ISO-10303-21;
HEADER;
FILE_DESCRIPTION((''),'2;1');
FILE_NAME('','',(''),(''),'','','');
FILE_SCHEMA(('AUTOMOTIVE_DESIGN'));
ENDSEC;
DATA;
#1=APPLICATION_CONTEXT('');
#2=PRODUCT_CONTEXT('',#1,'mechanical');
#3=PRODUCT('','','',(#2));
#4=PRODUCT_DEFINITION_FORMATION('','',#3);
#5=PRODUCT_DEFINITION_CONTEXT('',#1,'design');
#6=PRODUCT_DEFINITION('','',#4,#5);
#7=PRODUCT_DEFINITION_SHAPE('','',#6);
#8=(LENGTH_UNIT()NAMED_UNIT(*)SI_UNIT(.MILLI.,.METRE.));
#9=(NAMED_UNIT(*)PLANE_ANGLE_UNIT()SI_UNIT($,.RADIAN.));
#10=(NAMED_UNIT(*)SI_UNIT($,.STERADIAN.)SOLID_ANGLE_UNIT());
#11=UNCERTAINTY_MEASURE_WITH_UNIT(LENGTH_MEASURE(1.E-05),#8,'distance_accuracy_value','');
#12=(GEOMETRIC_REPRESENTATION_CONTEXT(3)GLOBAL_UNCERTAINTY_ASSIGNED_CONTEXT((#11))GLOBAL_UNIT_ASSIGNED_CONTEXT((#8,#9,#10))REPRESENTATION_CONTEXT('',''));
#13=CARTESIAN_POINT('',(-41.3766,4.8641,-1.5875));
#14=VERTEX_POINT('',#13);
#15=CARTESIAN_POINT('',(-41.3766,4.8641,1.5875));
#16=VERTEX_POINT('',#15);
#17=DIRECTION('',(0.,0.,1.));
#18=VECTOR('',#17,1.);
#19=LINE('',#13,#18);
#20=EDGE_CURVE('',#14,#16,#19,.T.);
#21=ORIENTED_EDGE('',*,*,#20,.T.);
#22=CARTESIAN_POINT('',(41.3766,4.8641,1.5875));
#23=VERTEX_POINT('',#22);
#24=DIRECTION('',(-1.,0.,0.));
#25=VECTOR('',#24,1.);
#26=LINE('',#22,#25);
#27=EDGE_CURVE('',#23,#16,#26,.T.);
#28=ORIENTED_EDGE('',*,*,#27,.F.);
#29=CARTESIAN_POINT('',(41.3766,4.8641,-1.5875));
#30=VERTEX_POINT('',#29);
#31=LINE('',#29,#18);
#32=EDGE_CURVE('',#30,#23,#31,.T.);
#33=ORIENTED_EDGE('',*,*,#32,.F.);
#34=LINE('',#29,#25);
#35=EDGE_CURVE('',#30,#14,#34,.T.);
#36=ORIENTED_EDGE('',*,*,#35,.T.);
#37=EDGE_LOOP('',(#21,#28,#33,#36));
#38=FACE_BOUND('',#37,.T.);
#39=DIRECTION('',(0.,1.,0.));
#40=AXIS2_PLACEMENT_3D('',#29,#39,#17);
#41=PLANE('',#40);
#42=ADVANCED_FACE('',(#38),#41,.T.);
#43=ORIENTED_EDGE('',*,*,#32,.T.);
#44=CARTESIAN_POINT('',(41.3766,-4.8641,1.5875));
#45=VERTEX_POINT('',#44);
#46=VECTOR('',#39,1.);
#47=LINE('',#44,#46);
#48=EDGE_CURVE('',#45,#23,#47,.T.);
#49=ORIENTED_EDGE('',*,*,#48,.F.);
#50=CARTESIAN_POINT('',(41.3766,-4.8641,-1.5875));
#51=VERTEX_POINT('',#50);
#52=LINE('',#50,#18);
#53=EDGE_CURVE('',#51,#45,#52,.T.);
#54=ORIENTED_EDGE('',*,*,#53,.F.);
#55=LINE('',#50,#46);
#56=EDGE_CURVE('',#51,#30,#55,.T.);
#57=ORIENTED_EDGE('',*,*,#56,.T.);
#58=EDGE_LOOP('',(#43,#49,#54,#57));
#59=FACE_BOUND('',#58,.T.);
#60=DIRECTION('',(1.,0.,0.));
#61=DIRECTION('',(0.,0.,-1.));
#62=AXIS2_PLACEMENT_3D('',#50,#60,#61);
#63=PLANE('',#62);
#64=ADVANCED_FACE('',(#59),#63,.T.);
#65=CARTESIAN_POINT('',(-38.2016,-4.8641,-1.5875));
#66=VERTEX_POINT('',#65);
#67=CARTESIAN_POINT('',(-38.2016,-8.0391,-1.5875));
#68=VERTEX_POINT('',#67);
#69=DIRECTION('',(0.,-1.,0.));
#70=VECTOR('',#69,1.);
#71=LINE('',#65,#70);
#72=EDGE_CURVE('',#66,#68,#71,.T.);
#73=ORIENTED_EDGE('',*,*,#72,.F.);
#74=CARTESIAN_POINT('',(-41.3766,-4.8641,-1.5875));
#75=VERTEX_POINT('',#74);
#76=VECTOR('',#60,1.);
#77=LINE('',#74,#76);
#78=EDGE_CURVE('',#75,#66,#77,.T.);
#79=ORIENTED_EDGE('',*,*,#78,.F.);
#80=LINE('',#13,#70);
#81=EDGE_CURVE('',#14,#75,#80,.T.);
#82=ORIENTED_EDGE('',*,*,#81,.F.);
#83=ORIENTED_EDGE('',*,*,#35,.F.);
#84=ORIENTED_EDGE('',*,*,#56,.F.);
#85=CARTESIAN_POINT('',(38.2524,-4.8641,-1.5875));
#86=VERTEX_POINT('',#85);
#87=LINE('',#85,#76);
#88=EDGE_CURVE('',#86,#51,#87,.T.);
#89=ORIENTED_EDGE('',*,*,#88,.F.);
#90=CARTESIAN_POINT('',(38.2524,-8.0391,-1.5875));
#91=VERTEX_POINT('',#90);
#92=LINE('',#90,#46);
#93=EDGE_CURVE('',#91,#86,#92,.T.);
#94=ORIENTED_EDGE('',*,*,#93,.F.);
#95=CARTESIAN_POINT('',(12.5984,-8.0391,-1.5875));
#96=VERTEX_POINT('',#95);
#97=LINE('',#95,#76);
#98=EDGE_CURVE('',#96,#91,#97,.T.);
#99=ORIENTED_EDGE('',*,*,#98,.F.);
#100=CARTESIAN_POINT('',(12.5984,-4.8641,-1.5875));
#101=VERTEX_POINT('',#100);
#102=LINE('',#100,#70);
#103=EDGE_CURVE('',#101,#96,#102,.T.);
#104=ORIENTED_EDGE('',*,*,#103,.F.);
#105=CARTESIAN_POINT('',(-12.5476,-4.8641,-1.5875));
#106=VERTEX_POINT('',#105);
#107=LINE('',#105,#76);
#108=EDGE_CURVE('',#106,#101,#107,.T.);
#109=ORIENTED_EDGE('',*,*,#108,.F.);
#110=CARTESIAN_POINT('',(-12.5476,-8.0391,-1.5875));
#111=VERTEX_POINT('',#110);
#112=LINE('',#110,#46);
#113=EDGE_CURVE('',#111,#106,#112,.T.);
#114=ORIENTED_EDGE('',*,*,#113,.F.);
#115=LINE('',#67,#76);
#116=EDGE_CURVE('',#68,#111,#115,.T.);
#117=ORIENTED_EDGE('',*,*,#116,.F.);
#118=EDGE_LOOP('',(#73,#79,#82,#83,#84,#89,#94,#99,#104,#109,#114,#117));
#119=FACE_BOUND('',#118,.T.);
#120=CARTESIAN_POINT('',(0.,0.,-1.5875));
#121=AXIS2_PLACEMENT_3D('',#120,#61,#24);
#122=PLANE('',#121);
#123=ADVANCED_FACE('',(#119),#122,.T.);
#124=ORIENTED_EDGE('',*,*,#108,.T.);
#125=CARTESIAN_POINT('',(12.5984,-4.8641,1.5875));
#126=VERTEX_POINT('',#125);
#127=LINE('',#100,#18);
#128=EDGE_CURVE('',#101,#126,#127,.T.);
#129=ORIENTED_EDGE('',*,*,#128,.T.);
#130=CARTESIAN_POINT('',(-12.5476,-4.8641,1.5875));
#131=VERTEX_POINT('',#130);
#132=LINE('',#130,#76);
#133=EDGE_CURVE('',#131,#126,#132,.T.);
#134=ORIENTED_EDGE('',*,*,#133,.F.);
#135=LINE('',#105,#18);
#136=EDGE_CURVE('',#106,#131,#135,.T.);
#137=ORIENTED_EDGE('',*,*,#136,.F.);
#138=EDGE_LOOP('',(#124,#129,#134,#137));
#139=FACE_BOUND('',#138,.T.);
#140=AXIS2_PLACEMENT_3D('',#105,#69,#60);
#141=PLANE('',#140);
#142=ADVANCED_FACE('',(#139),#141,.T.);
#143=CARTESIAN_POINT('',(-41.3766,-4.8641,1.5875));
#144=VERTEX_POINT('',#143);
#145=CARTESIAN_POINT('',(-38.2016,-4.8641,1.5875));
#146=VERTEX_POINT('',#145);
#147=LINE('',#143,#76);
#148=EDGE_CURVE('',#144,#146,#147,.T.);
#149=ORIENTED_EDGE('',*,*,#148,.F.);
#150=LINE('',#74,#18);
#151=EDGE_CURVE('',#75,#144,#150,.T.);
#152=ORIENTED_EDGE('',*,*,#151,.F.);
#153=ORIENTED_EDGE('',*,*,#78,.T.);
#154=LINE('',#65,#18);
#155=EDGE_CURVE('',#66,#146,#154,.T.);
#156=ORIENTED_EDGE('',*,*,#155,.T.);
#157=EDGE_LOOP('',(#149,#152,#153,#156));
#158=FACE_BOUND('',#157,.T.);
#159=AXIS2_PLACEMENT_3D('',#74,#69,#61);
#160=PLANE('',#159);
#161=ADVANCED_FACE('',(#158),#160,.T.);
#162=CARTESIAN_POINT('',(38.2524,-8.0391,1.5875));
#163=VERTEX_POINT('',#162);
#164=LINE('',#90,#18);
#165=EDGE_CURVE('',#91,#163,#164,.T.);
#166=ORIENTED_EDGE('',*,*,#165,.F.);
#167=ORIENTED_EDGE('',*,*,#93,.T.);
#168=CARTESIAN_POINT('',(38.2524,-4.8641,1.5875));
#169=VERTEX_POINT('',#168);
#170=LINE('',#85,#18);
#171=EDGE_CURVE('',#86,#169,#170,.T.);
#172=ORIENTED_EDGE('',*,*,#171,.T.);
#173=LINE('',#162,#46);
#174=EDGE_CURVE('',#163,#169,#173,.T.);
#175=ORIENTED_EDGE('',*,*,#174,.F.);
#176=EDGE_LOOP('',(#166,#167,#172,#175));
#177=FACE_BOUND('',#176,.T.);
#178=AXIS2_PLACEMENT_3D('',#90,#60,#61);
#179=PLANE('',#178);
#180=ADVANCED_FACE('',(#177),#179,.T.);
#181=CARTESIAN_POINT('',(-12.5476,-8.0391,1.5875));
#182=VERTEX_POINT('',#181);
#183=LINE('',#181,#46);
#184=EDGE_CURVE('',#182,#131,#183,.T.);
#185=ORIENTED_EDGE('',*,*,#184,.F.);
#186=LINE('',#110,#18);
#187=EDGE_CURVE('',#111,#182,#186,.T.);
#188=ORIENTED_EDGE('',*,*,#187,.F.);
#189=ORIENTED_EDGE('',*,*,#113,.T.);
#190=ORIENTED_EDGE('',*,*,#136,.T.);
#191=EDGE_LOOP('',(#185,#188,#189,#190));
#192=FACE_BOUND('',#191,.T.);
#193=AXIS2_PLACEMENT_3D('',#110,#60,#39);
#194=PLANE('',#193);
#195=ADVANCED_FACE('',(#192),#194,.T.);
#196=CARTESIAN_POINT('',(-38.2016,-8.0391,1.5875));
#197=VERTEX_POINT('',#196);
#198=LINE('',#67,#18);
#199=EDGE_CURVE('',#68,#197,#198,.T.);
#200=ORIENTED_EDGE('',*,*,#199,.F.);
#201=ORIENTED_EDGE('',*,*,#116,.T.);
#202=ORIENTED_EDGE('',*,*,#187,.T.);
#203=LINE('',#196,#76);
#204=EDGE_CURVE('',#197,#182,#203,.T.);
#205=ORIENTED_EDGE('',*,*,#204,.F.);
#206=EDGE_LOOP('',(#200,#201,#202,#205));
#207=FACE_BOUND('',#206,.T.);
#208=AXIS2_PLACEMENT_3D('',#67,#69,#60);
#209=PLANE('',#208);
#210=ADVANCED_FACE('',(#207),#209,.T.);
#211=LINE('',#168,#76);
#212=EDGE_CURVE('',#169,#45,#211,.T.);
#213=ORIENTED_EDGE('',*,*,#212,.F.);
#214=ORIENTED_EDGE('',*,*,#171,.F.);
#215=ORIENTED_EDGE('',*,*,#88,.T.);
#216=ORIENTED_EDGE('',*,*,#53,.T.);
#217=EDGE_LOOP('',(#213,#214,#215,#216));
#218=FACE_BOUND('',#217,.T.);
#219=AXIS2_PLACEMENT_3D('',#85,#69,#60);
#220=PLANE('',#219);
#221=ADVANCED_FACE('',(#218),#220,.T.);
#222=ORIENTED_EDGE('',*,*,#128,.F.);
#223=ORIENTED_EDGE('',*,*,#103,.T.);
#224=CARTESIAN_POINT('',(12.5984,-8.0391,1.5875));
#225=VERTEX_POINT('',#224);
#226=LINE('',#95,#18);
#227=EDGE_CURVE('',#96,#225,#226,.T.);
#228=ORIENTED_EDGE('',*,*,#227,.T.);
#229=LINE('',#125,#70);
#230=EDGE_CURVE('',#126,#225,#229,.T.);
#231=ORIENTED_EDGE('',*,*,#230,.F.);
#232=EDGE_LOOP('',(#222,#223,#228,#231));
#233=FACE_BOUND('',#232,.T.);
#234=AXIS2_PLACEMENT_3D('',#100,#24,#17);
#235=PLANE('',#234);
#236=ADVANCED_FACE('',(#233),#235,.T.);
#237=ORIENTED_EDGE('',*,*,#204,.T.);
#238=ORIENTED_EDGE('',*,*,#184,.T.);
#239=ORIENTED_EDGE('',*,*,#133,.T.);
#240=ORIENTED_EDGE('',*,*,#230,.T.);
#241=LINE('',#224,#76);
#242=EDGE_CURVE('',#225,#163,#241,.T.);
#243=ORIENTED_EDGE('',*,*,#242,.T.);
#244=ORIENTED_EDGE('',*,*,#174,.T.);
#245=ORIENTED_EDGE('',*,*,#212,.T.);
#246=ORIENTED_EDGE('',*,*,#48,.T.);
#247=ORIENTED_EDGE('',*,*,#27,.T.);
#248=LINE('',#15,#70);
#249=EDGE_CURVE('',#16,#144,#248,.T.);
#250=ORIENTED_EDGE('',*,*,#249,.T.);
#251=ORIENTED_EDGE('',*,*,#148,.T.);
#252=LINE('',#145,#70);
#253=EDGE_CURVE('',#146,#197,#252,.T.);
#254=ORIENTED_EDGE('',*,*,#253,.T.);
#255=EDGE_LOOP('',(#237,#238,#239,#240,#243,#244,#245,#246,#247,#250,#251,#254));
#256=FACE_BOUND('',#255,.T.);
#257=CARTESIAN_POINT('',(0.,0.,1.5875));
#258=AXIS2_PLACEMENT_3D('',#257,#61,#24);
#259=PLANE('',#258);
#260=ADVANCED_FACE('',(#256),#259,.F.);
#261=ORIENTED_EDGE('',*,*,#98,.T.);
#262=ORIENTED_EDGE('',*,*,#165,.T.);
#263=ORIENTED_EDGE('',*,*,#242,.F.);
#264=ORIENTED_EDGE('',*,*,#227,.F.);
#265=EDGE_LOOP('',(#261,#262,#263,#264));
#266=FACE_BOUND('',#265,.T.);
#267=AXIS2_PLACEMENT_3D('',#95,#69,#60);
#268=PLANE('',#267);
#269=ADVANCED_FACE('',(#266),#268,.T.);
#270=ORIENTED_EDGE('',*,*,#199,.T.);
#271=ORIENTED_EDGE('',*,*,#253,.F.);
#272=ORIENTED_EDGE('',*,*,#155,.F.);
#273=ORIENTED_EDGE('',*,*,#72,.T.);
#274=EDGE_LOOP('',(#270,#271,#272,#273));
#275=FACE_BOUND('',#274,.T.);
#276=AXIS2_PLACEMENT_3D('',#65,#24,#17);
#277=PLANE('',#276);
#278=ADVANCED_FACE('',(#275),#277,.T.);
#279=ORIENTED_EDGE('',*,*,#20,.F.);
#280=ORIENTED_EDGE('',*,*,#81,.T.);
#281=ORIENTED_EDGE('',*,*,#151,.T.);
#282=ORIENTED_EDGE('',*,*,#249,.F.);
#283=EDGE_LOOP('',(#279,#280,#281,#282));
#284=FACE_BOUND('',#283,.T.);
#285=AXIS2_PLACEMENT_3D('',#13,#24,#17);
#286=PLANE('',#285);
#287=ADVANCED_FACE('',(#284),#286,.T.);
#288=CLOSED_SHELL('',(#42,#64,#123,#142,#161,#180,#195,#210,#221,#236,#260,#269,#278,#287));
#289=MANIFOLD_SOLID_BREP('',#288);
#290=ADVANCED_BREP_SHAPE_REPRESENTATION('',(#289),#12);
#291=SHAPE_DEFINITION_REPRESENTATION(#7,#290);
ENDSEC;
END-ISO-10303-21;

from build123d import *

# Parameters (mm, degrees)
BOSS_EXTRUDE1_DEPTH = 1.5875
BOSS_EXTRUDE2_DEPTH = 3.175


with BuildPart() as part:
    # Sketch1 → Boss-Extrude1 (new body, symmetric)
    with BuildSketch(Plane.XY):
        Polygon((-12.6492, -4.7625), (12.7, -4.7625), (12.7, -7.9375), (38.1508, -7.9375), (38.1508, -4.7625), (41.275, -4.7625), (41.275, 4.7625), (-41.275, 4.7625), (-41.275, -4.7625), (-38.1, -4.7625), (-38.1, -7.9375), (-12.6492, -7.9375), align=None)
    extrude(amount=BOSS_EXTRUDE1_DEPTH, both=True)

    # Sketch2 → Boss-Extrude2 (add)
    with BuildSketch(Plane.XY.offset(1.5875)):
        Polygon((38.2524, -4.8641), (41.3766, -4.8641), (41.3766, 4.8641), (-41.3766, 4.8641), (-41.3766, -4.8641), (-38.2016, -4.8641), (-38.2016, -8.0391), (-12.5476, -8.0391), (-12.5476, -4.8641), (12.5984, -4.8641), (12.5984, -8.0391), (38.2524, -8.0391), align=None)
    extrude(amount=-BOSS_EXTRUDE2_DEPTH)


solid = part.part
